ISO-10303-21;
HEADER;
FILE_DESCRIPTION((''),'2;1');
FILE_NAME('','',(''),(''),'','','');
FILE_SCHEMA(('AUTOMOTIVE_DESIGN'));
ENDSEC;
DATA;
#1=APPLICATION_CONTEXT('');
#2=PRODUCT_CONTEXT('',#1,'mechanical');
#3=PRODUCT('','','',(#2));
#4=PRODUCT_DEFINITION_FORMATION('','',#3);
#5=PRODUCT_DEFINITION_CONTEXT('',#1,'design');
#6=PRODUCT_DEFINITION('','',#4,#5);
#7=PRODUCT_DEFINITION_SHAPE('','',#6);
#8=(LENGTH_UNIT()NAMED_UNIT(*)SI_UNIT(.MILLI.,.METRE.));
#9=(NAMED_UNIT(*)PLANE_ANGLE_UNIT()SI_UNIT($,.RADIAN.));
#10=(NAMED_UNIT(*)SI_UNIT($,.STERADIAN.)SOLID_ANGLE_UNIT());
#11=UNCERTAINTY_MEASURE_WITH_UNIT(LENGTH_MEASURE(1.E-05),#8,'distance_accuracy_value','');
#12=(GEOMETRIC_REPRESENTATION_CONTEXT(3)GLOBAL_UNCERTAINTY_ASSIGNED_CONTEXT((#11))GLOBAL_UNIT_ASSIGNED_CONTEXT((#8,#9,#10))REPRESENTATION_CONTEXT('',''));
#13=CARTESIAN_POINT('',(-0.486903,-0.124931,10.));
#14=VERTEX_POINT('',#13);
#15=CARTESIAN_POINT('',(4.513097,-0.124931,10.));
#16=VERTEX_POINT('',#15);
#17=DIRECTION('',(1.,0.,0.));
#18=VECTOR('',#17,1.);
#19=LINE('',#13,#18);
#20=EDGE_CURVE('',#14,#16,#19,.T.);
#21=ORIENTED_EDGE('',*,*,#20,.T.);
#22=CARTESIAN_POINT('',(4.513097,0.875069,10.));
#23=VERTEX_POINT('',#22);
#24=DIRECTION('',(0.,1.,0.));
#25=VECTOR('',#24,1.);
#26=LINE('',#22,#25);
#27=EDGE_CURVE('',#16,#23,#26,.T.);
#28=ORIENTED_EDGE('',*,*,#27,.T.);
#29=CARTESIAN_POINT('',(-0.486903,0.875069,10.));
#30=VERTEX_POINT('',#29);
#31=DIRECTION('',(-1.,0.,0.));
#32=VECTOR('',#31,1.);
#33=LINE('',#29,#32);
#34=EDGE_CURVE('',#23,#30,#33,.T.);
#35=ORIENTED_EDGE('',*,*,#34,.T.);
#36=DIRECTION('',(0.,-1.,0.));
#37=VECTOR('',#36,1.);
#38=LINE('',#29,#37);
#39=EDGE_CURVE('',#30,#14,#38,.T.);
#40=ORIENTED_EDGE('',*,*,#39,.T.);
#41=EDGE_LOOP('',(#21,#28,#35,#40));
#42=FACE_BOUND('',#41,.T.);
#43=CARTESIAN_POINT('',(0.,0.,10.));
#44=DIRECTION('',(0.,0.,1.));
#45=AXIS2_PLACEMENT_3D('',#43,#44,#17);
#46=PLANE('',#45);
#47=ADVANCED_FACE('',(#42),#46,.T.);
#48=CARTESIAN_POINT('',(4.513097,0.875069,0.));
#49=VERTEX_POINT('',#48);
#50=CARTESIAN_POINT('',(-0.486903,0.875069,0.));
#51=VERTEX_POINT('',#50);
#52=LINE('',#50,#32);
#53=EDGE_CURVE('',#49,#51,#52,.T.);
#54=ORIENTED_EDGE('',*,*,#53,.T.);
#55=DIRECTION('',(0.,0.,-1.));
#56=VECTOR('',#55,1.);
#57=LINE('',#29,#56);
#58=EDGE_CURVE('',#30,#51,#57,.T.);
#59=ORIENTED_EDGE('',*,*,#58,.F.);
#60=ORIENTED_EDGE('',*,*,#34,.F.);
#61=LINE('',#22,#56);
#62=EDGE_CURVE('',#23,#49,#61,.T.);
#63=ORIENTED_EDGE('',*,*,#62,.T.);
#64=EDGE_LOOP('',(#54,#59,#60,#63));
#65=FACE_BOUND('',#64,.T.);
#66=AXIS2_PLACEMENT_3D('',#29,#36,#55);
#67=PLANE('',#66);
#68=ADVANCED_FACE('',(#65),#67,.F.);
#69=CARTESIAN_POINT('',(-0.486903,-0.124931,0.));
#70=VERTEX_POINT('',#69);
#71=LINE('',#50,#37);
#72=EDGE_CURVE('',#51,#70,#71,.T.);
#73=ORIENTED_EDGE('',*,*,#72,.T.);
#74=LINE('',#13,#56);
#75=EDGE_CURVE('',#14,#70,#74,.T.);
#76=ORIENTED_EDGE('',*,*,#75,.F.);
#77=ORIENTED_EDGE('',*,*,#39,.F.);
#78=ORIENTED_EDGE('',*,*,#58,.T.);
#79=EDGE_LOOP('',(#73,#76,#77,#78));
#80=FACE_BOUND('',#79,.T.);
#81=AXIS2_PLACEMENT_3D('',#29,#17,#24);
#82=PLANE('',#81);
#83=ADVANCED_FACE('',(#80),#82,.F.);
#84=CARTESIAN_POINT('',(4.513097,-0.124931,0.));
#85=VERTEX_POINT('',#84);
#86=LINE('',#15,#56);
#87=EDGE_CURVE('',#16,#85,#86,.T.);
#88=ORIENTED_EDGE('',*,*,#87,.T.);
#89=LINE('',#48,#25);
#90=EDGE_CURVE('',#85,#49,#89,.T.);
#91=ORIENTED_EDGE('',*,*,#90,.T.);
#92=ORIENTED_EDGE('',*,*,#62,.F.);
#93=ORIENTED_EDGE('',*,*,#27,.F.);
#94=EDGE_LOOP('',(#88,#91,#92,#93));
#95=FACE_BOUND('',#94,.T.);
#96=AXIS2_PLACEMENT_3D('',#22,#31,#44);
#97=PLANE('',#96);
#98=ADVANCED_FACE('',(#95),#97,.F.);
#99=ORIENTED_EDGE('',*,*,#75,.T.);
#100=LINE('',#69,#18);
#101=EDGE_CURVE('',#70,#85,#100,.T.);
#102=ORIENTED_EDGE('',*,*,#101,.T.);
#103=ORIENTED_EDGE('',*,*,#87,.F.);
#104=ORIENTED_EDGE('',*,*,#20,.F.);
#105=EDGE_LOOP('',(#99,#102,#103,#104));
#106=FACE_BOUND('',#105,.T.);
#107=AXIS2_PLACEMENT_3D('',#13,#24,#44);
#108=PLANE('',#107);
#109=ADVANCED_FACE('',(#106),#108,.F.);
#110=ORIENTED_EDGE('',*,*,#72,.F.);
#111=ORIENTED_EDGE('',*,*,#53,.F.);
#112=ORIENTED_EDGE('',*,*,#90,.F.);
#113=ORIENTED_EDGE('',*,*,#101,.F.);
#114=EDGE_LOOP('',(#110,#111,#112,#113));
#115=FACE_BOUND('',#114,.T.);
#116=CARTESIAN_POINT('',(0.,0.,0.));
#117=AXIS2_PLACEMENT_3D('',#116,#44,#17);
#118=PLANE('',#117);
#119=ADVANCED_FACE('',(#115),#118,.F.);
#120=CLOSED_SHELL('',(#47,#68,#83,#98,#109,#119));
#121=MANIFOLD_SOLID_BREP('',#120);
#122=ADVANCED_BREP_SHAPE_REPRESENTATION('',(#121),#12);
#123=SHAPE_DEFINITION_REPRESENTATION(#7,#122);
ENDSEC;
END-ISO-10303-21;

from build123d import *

# Parameters (mm, degrees)
SKETCH1_W           = 5
SKETCH1_H           = 1
BOSS_EXTRUDE1_DEPTH = 10


with BuildPart() as part:
    # Sketch1 → Boss-Extrude1 (new body)
    with BuildSketch(Plane.XY):
        with Locations((2.013096537, 0.375068693)):
            Rectangle(SKETCH1_W, SKETCH1_H)
    extrude(amount=BOSS_EXTRUDE1_DEPTH)


solid = part.part
